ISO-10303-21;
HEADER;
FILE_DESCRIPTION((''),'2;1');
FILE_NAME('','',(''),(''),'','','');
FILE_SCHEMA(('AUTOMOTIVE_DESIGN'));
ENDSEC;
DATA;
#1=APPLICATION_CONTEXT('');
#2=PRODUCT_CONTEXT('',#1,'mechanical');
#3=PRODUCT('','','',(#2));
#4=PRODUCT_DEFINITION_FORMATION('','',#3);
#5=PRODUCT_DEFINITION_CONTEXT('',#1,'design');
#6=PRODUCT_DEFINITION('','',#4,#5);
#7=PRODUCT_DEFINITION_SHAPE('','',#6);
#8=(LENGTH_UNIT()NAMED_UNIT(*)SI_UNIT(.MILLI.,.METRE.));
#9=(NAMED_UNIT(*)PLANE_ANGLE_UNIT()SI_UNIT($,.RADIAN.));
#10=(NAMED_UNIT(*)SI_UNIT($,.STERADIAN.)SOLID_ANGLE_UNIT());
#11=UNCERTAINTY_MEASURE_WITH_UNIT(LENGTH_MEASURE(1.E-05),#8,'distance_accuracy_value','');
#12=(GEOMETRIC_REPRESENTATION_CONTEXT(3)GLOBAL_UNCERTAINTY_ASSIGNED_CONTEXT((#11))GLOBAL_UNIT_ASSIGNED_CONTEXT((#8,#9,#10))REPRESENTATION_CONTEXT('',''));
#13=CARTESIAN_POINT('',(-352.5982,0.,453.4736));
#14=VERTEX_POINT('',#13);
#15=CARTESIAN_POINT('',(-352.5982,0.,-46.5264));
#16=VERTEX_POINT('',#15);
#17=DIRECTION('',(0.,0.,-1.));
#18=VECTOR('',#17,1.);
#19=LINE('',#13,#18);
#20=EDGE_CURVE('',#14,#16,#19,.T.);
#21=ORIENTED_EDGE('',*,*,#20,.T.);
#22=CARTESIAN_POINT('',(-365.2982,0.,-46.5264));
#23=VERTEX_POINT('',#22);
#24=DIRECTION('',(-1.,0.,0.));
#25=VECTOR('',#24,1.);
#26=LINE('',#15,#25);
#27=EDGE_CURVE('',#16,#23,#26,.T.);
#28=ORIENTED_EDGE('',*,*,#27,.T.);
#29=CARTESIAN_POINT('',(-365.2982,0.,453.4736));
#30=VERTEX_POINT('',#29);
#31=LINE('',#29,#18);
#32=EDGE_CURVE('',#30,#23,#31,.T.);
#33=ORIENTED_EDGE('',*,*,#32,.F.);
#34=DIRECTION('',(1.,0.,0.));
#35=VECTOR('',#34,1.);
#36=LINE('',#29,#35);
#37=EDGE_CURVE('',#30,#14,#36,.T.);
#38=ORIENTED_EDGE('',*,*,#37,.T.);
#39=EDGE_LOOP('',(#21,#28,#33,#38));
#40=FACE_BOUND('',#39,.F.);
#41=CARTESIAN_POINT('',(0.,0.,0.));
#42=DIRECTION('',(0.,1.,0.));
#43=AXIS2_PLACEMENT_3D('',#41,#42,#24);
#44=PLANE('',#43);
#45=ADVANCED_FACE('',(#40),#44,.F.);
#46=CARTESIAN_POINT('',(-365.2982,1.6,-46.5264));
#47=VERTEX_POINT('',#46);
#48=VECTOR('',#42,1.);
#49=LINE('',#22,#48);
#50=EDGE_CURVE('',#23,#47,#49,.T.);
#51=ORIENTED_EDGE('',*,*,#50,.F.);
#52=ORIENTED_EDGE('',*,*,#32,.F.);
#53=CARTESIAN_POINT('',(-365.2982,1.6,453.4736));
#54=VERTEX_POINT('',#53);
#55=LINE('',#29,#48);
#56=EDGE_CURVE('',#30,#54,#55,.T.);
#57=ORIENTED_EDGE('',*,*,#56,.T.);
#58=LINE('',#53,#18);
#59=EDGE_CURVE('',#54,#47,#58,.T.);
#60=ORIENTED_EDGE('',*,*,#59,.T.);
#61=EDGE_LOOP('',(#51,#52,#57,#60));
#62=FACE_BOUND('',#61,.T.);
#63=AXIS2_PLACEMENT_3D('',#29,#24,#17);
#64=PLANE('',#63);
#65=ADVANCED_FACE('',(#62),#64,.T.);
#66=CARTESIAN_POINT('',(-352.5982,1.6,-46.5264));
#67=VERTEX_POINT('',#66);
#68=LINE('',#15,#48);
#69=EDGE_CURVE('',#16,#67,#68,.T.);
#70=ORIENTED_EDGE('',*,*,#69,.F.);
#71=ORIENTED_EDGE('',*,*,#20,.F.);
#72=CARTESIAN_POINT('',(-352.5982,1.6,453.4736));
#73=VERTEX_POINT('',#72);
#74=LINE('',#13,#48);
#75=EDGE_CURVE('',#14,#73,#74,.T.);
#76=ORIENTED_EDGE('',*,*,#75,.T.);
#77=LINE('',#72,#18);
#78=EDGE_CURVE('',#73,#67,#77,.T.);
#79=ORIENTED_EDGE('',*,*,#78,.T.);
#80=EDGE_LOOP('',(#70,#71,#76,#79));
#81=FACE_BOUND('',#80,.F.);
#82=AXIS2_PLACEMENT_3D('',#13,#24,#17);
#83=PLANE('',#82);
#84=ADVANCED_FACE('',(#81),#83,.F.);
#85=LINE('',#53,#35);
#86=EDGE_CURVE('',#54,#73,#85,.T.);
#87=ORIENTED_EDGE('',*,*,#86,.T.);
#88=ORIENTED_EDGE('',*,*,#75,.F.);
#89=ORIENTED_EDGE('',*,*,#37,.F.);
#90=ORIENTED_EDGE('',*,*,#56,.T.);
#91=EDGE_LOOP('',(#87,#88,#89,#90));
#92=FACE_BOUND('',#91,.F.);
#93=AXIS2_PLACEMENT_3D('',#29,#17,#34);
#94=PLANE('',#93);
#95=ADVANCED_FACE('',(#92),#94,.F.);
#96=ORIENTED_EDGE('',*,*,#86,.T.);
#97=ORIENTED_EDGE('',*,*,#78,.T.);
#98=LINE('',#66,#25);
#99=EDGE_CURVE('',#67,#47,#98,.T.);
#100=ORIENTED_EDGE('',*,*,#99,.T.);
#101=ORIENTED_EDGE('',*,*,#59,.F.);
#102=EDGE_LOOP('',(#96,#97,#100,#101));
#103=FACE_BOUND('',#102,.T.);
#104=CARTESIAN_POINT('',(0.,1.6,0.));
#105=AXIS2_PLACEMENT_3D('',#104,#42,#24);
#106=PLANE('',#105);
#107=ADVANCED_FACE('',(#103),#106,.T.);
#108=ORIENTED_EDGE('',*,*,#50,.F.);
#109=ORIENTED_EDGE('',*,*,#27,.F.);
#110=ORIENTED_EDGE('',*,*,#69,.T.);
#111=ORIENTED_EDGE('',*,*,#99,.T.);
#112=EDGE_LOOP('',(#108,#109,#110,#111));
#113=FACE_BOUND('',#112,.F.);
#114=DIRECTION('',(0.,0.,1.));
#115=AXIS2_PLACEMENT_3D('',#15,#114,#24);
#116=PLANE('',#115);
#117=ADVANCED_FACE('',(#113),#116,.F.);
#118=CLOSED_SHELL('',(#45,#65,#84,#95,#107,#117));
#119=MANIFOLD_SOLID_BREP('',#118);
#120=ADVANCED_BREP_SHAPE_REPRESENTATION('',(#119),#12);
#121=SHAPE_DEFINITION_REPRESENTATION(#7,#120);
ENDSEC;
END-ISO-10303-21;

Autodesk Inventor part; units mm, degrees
ref_plane "YZ Plane" through (0, 0, 0) normal (1, 0, 0) x (0, 1, 0)
ref_plane "XZ Plane" through (0, 0, 0) normal (0, 1, 0) x (-1, 0, 0)
ref_plane "XY Plane" through (0, 0, 0) normal (0, 0, 1) x (1, 0, 0)
sketch "Sketch1" plane through (0, 0, 0) normal (0, 1, 0) x (-1, 0, 0)
  line L0 (365.2982, 453.4736) -> (365.2982, -46.5264)
  line L1 (365.2982, 453.4736) -> (352.5982, 453.4736)
  line L2 (352.5982, 453.4736) -> (352.5982, -46.5264)
  line L3 (352.5982, -46.5264) -> (365.2982, -46.5264)
  point P0 (0, 0)
  dimension "d0" = 500
  dimension "d2" = 12.7
extrude "Extrusion1" add sketch "Sketch1" along normal blind 1.6
properties part number "Solera de Al" material "Aluminum 6061"
